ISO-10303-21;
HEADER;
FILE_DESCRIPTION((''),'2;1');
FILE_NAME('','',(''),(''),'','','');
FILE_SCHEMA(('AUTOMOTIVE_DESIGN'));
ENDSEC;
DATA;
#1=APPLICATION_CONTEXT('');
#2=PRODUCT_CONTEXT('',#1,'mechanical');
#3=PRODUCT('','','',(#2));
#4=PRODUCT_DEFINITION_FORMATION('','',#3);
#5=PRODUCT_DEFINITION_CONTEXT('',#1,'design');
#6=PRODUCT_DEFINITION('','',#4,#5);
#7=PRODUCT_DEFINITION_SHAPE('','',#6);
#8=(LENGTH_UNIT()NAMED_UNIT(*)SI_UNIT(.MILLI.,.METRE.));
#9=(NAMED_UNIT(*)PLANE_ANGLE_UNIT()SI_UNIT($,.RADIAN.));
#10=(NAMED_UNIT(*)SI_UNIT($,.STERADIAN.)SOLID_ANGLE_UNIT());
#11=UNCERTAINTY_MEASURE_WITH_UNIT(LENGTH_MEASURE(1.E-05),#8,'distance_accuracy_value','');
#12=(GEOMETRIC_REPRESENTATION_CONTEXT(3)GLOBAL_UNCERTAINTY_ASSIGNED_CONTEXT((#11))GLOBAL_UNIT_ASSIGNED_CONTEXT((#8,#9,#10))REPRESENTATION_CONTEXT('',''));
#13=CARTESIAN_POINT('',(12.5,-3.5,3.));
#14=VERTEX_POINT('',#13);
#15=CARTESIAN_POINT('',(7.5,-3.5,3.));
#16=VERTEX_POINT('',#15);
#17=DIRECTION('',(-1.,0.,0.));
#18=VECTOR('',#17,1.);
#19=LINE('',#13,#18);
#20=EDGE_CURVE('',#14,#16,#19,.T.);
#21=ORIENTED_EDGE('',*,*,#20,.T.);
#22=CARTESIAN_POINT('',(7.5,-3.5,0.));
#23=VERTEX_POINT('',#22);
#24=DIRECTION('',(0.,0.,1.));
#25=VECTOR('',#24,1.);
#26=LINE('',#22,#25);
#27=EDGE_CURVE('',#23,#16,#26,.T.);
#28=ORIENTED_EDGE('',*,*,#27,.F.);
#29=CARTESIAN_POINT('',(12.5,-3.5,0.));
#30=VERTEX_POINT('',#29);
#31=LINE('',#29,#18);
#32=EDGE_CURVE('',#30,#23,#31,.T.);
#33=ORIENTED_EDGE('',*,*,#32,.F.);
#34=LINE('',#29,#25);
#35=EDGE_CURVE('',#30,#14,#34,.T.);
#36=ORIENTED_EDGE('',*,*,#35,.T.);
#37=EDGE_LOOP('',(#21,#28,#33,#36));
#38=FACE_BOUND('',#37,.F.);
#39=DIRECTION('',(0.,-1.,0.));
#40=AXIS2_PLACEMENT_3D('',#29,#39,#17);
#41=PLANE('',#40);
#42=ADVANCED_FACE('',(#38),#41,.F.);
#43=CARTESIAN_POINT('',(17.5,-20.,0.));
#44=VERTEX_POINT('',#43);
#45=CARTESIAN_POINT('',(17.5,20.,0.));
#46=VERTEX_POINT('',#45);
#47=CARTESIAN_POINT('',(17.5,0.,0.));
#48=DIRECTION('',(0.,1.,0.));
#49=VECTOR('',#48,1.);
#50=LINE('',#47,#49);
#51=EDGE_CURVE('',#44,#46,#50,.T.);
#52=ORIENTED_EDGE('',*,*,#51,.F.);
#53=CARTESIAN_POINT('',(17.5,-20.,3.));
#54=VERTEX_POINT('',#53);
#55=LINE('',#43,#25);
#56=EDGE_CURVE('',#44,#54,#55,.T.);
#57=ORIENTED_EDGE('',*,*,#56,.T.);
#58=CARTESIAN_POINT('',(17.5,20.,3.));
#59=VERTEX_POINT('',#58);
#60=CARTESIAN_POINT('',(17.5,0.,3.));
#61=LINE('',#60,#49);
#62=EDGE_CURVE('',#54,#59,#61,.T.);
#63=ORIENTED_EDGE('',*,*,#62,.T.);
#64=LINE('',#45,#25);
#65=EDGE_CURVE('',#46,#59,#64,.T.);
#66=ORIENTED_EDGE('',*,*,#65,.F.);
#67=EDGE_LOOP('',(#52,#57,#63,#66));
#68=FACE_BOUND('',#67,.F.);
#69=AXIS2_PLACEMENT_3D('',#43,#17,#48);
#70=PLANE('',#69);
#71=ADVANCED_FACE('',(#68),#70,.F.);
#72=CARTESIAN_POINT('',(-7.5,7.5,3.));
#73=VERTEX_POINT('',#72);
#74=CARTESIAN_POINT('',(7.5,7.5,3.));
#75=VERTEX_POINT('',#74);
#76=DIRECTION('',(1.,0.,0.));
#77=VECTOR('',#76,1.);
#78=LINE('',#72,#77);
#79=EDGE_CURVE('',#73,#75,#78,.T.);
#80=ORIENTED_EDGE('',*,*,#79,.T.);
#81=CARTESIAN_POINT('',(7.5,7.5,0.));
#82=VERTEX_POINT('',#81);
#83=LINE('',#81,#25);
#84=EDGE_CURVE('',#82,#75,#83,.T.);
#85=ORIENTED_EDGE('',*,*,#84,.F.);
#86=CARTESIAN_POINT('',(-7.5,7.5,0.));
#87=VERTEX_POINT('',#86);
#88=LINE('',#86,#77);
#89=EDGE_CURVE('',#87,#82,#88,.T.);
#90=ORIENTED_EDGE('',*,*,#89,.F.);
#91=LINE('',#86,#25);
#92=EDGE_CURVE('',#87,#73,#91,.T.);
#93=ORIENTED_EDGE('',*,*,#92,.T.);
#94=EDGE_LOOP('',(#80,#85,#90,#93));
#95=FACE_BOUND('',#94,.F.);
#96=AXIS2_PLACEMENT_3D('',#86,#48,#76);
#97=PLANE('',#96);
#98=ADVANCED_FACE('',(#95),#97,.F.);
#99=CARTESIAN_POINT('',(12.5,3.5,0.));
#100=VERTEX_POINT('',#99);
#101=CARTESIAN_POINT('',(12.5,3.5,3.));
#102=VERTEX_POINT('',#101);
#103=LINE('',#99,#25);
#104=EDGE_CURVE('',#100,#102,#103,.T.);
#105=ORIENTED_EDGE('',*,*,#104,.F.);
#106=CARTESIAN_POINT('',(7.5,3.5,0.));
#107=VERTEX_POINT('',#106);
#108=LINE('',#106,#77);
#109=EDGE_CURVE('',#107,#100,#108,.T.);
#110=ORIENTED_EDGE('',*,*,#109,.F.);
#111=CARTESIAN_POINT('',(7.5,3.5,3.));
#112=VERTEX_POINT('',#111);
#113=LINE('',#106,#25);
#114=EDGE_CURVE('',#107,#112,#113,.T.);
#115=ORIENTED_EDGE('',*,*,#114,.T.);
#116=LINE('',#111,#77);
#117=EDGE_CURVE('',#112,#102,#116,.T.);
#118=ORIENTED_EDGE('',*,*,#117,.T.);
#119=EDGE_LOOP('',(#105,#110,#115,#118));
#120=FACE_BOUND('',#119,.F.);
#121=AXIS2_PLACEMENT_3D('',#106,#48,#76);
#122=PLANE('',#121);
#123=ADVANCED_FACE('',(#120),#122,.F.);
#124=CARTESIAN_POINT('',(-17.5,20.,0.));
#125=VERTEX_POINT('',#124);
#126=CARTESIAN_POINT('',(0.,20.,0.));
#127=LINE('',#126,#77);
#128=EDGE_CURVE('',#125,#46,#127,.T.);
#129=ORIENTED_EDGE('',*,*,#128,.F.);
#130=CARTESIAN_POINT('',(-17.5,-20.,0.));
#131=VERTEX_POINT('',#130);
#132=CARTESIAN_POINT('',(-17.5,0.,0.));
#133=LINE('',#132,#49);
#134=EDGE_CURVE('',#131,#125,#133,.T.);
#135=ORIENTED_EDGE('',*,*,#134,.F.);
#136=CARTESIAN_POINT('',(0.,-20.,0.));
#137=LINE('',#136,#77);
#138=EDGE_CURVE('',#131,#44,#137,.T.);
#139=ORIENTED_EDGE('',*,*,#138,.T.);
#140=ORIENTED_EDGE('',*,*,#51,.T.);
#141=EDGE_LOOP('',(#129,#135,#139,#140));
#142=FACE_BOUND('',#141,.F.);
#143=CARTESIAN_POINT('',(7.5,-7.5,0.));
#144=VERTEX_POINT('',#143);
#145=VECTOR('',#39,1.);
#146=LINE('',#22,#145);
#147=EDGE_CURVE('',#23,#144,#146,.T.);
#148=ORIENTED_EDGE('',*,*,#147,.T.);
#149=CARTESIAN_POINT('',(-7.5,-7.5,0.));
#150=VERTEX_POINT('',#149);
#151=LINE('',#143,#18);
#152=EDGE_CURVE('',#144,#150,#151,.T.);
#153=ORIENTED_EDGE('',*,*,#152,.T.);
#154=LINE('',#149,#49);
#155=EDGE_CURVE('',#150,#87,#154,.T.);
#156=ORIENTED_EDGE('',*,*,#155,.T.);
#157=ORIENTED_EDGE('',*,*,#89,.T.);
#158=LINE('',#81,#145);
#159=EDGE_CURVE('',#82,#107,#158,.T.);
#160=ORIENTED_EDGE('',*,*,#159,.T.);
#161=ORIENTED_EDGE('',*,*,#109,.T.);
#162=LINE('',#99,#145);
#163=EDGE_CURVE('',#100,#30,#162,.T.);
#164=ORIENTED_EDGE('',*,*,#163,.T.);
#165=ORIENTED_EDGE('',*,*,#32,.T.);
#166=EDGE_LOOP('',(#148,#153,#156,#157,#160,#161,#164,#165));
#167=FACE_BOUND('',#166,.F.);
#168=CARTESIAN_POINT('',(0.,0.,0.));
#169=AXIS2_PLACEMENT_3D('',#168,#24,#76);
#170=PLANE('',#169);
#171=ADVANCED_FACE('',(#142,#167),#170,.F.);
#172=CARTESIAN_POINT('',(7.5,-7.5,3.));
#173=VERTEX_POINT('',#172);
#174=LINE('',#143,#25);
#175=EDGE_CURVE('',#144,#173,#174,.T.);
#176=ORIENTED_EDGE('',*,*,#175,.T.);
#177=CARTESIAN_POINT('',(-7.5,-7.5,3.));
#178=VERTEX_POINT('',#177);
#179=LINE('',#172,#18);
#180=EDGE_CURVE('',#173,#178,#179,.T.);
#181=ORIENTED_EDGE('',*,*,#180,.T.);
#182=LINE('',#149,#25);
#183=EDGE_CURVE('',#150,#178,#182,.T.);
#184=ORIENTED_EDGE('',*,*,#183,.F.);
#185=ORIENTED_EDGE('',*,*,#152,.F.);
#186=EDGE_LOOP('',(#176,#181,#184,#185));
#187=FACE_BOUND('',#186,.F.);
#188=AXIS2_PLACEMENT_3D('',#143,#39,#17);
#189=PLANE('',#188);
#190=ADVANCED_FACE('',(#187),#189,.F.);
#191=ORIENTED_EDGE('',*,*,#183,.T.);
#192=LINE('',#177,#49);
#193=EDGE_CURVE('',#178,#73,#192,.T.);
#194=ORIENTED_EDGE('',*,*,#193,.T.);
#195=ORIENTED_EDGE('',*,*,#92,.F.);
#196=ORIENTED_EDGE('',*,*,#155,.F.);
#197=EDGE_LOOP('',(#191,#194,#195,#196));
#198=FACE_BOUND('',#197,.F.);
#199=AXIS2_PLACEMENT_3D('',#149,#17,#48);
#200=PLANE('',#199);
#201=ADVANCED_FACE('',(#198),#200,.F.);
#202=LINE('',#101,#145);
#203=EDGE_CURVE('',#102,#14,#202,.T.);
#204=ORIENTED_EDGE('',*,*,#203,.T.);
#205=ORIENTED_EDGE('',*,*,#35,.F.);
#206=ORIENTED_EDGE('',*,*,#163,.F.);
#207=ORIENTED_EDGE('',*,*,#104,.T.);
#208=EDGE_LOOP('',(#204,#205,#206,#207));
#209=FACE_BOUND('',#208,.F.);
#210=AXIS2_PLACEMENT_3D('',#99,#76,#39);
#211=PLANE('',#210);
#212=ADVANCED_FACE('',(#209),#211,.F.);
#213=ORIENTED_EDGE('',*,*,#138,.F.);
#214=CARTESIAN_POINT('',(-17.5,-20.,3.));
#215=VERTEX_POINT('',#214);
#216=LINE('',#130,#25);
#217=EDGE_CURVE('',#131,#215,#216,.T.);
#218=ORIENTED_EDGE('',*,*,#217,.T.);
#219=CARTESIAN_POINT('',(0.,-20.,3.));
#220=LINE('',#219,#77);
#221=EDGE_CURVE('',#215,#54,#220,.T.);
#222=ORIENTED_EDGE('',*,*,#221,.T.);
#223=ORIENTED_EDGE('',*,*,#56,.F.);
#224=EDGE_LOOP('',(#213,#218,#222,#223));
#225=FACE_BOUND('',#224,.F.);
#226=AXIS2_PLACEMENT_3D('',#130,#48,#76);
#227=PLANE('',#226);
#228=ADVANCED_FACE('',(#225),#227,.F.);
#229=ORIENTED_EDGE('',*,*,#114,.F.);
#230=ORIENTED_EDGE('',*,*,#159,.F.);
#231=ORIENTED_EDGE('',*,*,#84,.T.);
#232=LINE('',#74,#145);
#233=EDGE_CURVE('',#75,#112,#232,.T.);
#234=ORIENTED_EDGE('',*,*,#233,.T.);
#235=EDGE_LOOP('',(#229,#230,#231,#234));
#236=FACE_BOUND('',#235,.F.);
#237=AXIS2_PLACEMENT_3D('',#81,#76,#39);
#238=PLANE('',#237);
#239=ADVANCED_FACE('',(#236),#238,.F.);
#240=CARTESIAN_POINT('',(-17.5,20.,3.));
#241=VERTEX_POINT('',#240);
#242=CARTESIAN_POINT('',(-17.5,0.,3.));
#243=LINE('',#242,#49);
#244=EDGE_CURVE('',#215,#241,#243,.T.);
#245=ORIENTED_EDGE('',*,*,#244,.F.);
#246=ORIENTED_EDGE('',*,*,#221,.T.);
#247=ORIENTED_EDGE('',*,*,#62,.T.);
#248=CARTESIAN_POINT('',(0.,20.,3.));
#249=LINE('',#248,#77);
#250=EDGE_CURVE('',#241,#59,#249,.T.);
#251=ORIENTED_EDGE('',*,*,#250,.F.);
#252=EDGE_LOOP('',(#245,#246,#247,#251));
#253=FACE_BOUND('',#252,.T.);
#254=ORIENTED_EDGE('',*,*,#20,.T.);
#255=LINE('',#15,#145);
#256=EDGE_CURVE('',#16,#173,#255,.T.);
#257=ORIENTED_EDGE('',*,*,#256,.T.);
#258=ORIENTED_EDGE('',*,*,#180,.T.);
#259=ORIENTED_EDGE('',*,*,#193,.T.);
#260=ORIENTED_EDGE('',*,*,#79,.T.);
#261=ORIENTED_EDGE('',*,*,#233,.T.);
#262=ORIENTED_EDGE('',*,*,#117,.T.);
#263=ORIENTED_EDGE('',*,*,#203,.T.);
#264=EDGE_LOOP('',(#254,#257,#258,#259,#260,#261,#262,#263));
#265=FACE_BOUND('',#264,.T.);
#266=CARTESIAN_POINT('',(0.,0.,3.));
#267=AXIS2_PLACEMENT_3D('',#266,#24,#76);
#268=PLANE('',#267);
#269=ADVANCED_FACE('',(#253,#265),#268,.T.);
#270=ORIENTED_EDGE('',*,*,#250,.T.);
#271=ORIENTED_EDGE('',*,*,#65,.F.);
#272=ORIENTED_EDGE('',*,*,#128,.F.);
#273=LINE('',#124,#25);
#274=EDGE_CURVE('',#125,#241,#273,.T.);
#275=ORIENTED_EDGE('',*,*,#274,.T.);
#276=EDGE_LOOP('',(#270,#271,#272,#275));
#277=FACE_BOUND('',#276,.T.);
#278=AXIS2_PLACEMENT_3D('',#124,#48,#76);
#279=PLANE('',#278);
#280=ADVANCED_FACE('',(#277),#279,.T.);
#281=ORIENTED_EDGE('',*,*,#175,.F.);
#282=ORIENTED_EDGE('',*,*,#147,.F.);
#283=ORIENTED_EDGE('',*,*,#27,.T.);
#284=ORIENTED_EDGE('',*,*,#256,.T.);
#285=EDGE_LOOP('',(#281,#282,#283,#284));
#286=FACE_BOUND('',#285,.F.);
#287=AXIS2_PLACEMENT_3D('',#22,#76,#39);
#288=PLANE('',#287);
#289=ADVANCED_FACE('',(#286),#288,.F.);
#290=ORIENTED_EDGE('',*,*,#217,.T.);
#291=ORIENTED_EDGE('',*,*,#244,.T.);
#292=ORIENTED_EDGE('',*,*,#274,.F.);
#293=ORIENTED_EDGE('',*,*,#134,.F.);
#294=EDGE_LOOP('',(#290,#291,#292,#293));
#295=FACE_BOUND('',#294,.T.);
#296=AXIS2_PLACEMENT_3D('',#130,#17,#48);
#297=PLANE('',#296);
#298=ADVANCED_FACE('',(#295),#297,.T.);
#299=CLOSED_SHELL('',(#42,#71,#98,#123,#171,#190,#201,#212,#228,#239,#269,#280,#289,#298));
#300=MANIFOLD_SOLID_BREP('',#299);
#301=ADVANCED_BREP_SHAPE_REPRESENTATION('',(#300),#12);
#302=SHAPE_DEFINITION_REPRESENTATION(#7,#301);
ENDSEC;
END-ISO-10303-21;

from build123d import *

# Parameters (mm, degrees)
SKETCH_W      = 35
SKETCH_H      = 40
EXTRUDE_DEPTH = 3


with BuildPart() as part:
    # Sketch → Extrude (new body)
    with BuildSketch(Plane.XY):
        Rectangle(SKETCH_W, SKETCH_H)
        Polygon((-7.5, -7.5), (-7.5, 7.5), (7.5, 7.5), (7.5, 3.5), (12.5, 3.5), (12.5, -3.5), (7.5, -3.5), (7.5, -7.5), align=None, mode=Mode.SUBTRACT)
    extrude(amount=EXTRUDE_DEPTH)


solid = part.part
